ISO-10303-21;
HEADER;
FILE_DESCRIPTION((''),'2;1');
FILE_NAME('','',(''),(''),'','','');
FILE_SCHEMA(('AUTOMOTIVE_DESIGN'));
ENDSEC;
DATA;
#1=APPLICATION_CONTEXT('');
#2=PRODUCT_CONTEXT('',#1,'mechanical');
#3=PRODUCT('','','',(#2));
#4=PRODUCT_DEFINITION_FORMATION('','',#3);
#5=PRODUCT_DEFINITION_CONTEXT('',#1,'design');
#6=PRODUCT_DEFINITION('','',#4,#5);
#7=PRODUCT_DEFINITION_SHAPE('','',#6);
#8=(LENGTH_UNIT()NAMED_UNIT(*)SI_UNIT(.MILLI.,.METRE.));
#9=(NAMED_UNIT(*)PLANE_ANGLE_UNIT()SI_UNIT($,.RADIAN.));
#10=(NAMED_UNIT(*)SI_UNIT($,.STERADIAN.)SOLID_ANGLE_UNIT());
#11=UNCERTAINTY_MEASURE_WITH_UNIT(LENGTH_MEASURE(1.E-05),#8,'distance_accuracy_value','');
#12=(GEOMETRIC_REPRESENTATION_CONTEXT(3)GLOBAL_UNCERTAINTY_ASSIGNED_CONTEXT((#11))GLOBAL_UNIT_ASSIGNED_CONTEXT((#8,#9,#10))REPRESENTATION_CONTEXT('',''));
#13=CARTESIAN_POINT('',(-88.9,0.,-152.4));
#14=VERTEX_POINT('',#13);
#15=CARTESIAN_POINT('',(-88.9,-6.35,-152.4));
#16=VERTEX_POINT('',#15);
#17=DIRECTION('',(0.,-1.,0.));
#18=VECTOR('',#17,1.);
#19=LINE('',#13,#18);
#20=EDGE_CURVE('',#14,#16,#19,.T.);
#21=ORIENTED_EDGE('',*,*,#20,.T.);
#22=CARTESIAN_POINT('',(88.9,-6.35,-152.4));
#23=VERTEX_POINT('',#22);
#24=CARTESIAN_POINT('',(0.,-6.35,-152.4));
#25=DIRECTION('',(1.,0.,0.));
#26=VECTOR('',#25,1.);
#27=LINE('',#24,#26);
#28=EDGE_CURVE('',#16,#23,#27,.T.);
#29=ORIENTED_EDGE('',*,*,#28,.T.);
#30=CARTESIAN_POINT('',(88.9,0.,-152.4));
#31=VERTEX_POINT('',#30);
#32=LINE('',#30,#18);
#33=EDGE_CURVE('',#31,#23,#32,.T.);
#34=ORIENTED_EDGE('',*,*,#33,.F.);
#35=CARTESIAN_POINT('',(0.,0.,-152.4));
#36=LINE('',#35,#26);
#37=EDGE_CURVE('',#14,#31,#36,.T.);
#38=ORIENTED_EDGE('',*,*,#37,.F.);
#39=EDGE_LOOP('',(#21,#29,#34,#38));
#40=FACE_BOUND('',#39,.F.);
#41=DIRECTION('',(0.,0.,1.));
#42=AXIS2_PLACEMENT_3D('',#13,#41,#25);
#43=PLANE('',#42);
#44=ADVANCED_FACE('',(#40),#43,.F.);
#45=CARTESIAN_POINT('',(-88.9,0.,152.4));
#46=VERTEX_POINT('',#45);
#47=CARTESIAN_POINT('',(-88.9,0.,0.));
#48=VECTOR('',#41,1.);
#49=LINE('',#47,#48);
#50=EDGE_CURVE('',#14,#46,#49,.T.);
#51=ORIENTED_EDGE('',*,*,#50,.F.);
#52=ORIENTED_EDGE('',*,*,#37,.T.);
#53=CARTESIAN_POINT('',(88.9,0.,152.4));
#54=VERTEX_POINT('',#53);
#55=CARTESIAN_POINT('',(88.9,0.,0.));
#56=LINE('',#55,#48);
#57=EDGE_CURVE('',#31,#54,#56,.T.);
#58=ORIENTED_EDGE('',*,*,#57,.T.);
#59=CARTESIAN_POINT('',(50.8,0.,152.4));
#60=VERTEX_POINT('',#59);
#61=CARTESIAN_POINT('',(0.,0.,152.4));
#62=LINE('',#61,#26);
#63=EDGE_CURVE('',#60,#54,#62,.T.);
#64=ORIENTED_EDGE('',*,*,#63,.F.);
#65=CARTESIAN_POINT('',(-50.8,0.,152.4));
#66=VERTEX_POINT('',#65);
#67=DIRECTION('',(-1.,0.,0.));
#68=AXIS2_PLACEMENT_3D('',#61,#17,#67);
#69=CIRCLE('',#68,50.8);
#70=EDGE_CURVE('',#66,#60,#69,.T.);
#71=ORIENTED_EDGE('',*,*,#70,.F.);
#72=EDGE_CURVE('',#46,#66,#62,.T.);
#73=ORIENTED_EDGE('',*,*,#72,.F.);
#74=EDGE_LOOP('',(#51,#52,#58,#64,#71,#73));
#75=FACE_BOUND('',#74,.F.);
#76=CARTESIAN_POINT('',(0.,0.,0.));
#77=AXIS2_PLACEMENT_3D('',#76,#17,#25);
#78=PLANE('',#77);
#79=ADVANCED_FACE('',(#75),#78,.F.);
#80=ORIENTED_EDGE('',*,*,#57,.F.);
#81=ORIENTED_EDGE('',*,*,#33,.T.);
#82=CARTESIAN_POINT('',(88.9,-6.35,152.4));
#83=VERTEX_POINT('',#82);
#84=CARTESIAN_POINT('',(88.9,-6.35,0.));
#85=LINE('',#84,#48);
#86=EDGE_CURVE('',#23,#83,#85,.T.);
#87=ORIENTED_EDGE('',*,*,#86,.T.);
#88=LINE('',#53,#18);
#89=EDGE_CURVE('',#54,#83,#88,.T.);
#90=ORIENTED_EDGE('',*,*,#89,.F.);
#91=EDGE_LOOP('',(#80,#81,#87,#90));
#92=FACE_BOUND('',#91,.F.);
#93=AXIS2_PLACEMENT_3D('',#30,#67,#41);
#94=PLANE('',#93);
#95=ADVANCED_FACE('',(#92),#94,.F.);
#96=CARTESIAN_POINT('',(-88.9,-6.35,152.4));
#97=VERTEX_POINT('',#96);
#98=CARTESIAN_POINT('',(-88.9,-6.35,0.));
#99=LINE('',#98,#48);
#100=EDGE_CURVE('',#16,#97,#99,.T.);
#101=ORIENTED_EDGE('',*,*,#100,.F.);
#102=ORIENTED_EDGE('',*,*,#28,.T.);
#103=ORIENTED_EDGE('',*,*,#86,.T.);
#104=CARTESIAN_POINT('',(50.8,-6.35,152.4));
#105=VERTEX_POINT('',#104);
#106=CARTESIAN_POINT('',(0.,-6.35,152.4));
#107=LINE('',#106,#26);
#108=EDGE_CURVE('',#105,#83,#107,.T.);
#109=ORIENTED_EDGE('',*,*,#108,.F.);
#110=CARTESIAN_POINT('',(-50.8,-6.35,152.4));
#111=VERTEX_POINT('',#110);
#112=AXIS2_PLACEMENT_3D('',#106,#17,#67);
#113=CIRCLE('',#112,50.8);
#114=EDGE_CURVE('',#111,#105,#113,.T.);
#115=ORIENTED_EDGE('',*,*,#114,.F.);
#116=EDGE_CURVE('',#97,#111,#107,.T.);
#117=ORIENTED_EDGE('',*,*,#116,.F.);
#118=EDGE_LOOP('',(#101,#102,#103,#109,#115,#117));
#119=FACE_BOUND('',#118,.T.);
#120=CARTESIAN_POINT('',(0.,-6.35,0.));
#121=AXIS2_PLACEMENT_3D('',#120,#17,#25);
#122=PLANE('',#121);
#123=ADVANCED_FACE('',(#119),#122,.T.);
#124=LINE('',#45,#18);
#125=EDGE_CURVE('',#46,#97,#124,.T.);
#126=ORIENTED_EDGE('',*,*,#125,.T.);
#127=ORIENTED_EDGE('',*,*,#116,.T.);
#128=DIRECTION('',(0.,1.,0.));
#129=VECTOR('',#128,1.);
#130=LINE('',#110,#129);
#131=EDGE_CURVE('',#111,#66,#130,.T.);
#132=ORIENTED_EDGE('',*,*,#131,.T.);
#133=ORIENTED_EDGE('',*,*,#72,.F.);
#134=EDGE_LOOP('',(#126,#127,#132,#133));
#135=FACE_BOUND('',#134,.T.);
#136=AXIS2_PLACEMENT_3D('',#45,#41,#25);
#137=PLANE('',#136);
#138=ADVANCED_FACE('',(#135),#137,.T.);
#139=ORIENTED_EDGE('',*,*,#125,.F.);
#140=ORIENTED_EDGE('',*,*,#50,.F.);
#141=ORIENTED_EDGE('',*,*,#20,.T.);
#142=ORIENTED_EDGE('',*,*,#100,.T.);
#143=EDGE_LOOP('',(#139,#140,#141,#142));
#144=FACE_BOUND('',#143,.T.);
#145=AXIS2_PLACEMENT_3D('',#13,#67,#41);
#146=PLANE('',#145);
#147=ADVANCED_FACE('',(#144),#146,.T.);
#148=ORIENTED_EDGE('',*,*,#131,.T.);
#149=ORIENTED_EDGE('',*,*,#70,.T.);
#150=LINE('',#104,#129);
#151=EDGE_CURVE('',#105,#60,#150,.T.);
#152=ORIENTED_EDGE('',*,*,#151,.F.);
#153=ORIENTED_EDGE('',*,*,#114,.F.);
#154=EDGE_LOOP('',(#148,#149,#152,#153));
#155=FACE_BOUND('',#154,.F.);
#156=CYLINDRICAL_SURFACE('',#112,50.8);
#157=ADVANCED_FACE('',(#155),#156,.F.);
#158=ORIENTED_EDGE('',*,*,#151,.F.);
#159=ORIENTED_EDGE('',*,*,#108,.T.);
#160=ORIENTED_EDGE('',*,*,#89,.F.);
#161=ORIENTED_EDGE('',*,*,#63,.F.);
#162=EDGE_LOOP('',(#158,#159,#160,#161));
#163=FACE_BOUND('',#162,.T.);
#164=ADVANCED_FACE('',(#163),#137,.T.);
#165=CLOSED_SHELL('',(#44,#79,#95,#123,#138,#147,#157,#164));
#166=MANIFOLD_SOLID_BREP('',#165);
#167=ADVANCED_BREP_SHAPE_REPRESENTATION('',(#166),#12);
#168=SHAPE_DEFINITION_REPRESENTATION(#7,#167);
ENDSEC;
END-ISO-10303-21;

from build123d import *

# Parameters (mm, degrees)
F0_W     = 177.8
F0_H     = 304.8
F1_DEPTH = 6.35
F3_DEPTH = 25.4


with BuildPart() as f1:
    # F0 (on Front) → F1 (new body)
    with BuildSketch(Plane.XZ):
        Rectangle(F0_W, F0_H)
    extrude(amount=F1_DEPTH)

    # F2 (on face) → F3 (cut)
    with BuildSketch(Plane.XZ.offset(6.35)):
        with BuildLine():
            Line((50.8, 152.4), (-50.8, 152.4))
            ThreePointArc((-50.8, 152.4), (0, 101.6), (50.8, 152.4))
        make_face()
    extrude(amount=-F3_DEPTH, mode=Mode.SUBTRACT)


solid = f1.part
